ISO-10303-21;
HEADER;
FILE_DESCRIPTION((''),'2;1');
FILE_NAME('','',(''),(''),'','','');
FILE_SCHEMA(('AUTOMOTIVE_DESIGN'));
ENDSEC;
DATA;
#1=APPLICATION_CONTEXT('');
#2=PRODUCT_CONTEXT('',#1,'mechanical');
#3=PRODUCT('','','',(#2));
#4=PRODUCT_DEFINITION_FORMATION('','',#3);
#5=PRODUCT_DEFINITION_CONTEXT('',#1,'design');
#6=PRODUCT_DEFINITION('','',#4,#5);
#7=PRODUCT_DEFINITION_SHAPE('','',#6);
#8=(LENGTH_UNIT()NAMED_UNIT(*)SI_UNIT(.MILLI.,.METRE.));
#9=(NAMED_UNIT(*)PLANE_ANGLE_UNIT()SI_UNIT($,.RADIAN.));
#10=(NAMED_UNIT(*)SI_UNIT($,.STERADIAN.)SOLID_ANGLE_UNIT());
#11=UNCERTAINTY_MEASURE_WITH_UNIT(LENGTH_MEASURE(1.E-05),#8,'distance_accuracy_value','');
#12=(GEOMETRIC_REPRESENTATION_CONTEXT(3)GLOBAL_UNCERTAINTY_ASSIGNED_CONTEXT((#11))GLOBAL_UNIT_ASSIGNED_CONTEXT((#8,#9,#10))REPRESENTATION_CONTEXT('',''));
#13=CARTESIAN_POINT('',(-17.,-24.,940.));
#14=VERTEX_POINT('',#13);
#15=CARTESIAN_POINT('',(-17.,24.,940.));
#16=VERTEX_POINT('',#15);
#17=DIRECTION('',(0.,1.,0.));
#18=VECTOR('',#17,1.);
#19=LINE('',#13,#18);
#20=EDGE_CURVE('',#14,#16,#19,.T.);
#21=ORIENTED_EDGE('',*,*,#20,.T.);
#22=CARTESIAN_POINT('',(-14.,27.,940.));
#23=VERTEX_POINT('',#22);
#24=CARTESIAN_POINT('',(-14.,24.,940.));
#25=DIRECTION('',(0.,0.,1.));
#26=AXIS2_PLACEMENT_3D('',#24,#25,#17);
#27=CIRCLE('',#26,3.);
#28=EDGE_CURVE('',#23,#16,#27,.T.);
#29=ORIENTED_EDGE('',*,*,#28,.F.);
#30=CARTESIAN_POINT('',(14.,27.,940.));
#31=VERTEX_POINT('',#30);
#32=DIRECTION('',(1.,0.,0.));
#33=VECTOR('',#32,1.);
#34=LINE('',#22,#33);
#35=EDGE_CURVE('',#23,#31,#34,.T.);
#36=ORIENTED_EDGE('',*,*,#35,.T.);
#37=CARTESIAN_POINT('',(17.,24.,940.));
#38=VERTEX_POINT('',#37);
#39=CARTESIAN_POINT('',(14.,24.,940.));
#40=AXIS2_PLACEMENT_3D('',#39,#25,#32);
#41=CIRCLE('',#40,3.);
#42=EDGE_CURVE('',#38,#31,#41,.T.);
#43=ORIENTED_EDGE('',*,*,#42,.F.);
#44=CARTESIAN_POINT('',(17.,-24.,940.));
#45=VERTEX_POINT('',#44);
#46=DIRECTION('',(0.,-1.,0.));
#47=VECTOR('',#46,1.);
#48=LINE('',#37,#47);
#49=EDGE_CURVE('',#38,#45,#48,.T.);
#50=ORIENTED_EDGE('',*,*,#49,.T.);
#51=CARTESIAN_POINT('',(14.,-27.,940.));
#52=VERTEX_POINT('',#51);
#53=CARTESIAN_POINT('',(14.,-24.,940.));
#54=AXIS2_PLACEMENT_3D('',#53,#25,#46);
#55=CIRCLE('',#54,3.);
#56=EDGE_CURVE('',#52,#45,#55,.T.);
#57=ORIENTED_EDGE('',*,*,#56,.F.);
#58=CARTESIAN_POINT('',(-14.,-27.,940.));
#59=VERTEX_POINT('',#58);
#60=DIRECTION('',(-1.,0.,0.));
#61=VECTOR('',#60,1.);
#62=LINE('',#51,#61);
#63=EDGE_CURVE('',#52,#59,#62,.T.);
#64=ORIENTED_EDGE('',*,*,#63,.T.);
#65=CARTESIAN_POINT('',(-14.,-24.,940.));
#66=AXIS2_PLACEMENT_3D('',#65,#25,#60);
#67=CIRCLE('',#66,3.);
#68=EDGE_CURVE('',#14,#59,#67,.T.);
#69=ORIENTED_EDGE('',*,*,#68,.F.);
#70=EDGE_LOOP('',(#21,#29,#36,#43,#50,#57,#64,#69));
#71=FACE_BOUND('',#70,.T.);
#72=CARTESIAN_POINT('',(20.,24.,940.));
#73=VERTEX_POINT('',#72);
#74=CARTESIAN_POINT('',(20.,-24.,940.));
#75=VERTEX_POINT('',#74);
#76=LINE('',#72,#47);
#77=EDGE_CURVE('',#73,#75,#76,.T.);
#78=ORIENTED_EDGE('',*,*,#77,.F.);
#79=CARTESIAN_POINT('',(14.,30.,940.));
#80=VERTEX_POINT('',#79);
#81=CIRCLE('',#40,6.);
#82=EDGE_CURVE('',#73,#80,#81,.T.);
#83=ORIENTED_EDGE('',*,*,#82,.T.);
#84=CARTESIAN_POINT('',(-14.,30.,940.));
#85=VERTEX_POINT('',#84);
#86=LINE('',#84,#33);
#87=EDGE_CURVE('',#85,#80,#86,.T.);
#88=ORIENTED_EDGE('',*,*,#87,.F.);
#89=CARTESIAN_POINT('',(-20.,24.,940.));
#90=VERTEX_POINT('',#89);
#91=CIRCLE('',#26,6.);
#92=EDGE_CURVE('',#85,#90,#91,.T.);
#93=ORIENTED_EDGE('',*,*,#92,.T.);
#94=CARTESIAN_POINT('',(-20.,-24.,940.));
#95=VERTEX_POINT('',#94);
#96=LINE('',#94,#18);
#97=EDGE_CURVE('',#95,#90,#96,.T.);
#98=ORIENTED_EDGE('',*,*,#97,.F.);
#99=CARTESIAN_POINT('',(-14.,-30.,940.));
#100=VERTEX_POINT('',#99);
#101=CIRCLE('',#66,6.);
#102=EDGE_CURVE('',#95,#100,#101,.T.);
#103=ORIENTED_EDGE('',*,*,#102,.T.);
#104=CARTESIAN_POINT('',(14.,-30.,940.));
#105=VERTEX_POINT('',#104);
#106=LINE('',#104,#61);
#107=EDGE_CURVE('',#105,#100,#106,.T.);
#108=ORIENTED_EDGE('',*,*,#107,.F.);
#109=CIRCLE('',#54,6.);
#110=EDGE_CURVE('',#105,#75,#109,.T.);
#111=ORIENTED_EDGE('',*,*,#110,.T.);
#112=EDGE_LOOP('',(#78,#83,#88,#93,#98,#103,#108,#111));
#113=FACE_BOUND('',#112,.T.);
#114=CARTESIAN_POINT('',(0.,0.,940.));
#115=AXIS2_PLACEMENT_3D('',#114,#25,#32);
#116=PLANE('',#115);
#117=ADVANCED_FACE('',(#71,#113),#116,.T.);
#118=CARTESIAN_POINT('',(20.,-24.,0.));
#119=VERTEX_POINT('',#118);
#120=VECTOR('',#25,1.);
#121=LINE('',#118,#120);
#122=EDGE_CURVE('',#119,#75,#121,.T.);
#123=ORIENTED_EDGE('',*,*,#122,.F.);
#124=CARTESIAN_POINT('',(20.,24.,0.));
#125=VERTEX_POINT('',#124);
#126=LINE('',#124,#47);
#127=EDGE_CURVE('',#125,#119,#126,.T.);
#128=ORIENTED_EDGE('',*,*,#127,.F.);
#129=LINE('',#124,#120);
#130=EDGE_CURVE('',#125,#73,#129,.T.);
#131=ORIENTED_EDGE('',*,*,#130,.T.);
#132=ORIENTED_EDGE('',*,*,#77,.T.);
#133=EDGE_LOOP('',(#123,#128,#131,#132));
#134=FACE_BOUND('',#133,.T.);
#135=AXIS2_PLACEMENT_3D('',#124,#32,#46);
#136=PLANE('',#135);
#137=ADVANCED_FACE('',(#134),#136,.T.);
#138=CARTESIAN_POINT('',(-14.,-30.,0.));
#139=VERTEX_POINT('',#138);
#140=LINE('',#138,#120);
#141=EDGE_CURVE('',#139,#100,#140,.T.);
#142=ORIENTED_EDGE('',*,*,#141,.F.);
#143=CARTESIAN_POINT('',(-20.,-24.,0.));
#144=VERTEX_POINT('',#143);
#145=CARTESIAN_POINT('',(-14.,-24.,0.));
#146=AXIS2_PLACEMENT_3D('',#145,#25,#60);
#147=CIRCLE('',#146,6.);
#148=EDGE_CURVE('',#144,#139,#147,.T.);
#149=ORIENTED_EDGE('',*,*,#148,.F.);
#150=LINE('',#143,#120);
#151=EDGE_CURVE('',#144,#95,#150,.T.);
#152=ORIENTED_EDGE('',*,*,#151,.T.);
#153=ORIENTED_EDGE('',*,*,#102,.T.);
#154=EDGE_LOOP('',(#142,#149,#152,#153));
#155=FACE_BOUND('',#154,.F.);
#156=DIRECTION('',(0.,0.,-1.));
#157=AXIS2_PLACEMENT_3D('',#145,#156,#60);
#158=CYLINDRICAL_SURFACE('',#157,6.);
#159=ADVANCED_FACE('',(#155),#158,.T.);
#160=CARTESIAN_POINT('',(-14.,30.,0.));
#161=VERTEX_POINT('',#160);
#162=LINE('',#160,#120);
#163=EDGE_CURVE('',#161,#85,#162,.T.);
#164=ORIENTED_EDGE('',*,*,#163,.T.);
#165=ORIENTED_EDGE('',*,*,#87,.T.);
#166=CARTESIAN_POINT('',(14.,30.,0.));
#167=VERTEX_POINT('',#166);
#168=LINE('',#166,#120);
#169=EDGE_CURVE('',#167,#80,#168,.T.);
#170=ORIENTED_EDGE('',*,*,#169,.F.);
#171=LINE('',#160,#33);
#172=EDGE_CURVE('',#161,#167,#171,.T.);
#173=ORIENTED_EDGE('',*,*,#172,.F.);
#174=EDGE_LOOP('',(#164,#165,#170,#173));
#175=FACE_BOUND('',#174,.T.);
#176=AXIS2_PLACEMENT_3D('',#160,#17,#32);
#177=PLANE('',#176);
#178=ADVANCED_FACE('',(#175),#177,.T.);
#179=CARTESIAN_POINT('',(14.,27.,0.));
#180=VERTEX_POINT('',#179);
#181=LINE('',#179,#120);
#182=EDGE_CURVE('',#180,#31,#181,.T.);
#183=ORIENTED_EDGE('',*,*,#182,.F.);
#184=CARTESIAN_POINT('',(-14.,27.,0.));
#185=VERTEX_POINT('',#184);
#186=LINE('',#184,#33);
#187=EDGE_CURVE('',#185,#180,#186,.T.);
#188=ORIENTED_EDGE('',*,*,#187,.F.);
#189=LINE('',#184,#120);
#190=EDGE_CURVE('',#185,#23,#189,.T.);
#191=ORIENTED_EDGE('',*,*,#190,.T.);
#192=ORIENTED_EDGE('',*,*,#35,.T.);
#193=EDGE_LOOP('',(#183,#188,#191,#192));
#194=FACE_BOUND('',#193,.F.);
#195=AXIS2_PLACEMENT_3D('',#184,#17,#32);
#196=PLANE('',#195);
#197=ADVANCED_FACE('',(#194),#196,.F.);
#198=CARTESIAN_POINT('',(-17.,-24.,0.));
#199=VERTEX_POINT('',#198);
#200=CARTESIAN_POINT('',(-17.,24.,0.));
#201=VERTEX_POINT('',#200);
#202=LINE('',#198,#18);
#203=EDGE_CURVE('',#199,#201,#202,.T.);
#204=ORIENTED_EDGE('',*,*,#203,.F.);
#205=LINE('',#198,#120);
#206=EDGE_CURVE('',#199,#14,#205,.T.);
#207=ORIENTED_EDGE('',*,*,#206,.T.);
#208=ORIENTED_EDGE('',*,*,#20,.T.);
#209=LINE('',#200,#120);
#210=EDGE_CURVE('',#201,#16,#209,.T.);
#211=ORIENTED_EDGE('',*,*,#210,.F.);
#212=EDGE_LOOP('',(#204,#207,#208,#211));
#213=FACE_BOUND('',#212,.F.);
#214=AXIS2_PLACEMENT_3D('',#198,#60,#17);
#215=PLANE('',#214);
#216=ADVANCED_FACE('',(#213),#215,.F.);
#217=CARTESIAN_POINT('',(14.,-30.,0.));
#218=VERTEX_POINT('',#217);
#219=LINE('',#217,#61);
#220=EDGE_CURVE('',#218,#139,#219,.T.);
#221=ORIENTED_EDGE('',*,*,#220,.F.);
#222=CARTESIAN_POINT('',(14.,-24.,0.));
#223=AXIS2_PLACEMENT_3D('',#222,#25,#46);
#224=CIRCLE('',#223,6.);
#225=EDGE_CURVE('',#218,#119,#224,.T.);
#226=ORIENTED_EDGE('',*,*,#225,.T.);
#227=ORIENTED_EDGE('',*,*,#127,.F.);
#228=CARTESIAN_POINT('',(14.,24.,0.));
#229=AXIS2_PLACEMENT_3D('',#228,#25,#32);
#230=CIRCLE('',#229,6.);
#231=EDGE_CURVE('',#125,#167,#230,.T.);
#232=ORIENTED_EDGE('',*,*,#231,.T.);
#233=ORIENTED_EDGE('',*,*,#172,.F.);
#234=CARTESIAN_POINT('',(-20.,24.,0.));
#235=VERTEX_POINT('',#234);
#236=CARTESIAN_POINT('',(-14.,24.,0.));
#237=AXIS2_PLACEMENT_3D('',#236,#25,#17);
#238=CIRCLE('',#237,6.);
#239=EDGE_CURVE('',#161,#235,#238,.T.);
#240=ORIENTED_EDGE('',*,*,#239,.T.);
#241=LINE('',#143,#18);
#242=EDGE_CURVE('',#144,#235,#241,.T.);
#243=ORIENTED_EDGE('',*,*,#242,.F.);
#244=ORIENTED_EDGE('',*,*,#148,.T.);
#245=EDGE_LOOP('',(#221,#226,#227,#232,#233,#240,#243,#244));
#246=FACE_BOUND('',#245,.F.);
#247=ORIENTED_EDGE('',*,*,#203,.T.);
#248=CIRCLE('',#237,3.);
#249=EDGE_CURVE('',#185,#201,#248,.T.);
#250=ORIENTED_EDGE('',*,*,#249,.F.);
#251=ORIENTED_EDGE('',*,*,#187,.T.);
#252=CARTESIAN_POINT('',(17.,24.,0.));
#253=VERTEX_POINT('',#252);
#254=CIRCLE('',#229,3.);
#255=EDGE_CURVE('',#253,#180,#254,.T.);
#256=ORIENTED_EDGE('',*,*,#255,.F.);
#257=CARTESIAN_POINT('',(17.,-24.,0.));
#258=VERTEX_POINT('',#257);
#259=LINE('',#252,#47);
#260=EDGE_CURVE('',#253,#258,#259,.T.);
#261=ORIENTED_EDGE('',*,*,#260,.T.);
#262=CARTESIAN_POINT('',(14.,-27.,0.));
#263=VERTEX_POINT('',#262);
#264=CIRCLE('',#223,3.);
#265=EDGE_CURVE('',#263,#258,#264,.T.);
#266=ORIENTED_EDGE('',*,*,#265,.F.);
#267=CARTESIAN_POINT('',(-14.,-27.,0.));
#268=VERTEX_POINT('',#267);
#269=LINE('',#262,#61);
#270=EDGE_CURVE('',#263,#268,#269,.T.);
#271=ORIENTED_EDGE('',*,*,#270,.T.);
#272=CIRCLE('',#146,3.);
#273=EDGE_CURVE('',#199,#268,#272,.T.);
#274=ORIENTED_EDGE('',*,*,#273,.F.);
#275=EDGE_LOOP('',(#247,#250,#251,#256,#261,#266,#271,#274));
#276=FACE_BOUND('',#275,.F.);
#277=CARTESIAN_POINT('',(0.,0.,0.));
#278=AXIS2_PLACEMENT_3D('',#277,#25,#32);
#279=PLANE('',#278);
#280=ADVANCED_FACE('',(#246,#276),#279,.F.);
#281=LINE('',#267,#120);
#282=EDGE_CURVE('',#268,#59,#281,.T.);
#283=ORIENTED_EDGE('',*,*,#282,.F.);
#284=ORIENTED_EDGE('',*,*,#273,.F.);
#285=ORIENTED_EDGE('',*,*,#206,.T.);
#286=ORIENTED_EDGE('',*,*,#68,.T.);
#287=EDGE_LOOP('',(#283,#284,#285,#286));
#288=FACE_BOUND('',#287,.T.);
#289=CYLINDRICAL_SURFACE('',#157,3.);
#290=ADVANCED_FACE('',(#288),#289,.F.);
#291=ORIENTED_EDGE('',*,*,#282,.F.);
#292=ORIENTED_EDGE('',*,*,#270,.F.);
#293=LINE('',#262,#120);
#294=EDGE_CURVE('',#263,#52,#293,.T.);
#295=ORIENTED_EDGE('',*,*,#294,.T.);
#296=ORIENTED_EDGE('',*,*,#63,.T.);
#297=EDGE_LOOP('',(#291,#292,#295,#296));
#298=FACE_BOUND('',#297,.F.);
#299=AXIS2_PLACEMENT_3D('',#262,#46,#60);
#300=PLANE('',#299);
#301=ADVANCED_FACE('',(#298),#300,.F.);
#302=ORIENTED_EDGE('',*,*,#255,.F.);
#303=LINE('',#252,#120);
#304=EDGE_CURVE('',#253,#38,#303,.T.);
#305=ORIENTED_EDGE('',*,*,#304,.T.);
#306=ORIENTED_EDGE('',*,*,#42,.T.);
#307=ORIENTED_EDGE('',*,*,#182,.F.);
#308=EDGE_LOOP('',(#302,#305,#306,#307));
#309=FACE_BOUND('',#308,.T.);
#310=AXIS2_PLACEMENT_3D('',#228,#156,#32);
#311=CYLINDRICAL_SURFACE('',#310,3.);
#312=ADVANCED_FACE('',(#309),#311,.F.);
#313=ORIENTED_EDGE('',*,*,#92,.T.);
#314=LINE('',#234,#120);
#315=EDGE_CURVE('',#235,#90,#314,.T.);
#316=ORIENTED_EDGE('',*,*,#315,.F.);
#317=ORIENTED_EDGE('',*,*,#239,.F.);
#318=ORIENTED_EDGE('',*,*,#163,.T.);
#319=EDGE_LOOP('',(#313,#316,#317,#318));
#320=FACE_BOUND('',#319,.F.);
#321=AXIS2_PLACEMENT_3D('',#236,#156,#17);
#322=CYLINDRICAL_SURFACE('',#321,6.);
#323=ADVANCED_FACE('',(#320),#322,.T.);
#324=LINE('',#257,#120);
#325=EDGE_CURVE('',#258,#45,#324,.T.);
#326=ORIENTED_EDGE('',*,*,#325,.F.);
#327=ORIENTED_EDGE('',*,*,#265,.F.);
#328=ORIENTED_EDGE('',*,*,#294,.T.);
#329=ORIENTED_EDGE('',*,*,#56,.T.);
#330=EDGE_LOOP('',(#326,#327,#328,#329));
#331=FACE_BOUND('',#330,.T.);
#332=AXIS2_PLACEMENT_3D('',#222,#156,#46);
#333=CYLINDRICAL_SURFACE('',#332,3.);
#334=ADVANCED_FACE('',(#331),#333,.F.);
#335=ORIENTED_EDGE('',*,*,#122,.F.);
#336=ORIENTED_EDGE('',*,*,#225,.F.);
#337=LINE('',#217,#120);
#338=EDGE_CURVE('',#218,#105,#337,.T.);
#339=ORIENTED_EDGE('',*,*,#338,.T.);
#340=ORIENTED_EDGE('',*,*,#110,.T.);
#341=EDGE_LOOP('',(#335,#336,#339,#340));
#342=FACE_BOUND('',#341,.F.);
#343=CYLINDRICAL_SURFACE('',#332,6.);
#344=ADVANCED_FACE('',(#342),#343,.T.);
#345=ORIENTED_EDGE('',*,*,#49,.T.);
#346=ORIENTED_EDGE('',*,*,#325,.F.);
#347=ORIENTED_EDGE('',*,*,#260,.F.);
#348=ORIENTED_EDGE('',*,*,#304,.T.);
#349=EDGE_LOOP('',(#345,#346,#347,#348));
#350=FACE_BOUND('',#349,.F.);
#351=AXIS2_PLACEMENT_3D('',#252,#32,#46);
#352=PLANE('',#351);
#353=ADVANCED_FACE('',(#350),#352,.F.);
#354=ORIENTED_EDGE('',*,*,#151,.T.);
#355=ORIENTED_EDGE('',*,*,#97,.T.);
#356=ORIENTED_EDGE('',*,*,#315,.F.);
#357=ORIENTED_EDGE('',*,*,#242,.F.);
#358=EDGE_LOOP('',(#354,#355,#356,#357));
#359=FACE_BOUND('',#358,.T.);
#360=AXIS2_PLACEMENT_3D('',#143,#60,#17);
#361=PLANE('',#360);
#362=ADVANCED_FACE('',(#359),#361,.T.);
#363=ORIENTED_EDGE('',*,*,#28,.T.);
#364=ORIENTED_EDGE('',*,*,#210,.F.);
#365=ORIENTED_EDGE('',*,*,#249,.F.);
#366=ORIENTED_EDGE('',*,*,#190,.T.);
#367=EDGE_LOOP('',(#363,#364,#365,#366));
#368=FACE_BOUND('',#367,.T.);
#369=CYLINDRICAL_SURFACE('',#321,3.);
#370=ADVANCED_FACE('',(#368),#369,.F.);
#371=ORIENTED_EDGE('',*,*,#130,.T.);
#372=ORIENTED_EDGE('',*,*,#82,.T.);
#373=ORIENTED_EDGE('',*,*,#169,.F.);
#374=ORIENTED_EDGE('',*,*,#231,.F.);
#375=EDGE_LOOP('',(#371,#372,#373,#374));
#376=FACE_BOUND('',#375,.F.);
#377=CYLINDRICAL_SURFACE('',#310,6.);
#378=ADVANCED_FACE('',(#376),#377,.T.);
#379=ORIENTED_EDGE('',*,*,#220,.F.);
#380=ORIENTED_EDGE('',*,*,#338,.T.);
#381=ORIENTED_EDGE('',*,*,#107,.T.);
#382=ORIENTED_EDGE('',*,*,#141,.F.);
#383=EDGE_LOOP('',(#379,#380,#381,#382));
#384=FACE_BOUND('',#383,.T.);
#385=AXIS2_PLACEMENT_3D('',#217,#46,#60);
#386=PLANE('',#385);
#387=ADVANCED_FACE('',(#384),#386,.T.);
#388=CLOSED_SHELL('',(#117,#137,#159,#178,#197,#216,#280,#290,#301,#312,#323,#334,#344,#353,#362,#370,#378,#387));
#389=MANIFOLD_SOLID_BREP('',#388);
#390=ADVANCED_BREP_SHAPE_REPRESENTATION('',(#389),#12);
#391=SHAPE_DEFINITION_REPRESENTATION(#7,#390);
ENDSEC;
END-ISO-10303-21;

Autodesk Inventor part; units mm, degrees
ref_plane "YZ Plane" through (0, 0, 0) normal (1, 0, 0) x (0, 1, 0)
ref_plane "Start Plane" through (0, 0, 0) normal (0, 0, 1) x (1, 0, 0)
ref_plane "End Plane" through (0, 0, 940) normal (0, 0, 1) x (1, 0, 0)
sketch "Sketch" plane through (0, 0, 0) normal (0, 0, 1) x (1, 0, 0)
  line L0 (-20, -24) -> (-20, 24)
  line L1 (-14, 30) -> (14, 30)
  line L2 (20, 24) -> (20, -24)
  line L3 (14, -30) -> (-14, -30)
  arc A0 (-20, -24) -> (-14, -30) centre (-14, -24) ccw
  arc A1 (20, 24) -> (14, 30) centre (14, 24) ccw
  arc A2 (-14, 30) -> (-20, 24) centre (-14, 24) ccw
  arc A3 (14, -30) -> (20, -24) centre (14, -24) ccw
  arc A4 (-14, 27) -> (-17, 24) centre (-14, 24) ccw
  line L4 (-14, 27) -> (14, 27)
  arc A5 (17, 24) -> (14, 27) centre (14, 24) ccw
  line L5 (17, 24) -> (17, -24)
  arc A6 (14, -27) -> (17, -24) centre (14, -24) ccw
  line L6 (14, -27) -> (-14, -27)
  arc A7 (-17, -24) -> (-14, -27) centre (-14, -24) ccw
  line L7 (-17, -24) -> (-17, 24)
  line L8 (0, 43.7397) -> (0, -43.7397) construction
  line L9 (-29.7397, 0) -> (29.7397, 0) construction
  dimension "d7" = 6
  dimension "d9" = 40
  dimension "d11" = 60
  dimension "d12" = 3
  dimension "d15" = 20
  dimension "d16" = 30
extrude "Body" add sketch "Sketch" along normal up to surface (940 mm away) from surface at 0
sketch "Sketch3" plane through (0, 0, 0) normal (0, 0, 1) x (1, 0, 0)
  line L0 (0, 0) -> (10, 0)
ref_plane "Work Plane3" through (0, 0, 0) normal (0, -1, 0) x (1, 0, 0)
sketch "Sketch4" plane through (0, 0, 0) normal (0, -1, 0) x (1, 0, 0)
  line L0 (-2, 0) -> (12, 0)
  line L1 (-2, 940) -> (12, 940)
  dimension "d18" = 940
equation "\"d7\" = G_IR"
equation "\"d9\" = G_W"
equation "\"d11\" = G_H"
equation "\"d12\" = G_T"
equation "\"d15\" = 0.5 * d9"
equation "\"d16\" = 0.5 * d11"
equation "\"d3\" = G_L"
equation "\"G_W\" = 40"
equation "\"G_H\" = 60"
equation "\"G_T\" = 3"
equation "\"G_IR\" = 6"
equation "\"G_L\" = d18"
equation "\"G_OFFSET_START\" = 0"
equation "\"G_OFFSET_END\" = 0"
properties part number "ISO 10799-2 - 60x40x3 - 940" material "Steel, Mild"
